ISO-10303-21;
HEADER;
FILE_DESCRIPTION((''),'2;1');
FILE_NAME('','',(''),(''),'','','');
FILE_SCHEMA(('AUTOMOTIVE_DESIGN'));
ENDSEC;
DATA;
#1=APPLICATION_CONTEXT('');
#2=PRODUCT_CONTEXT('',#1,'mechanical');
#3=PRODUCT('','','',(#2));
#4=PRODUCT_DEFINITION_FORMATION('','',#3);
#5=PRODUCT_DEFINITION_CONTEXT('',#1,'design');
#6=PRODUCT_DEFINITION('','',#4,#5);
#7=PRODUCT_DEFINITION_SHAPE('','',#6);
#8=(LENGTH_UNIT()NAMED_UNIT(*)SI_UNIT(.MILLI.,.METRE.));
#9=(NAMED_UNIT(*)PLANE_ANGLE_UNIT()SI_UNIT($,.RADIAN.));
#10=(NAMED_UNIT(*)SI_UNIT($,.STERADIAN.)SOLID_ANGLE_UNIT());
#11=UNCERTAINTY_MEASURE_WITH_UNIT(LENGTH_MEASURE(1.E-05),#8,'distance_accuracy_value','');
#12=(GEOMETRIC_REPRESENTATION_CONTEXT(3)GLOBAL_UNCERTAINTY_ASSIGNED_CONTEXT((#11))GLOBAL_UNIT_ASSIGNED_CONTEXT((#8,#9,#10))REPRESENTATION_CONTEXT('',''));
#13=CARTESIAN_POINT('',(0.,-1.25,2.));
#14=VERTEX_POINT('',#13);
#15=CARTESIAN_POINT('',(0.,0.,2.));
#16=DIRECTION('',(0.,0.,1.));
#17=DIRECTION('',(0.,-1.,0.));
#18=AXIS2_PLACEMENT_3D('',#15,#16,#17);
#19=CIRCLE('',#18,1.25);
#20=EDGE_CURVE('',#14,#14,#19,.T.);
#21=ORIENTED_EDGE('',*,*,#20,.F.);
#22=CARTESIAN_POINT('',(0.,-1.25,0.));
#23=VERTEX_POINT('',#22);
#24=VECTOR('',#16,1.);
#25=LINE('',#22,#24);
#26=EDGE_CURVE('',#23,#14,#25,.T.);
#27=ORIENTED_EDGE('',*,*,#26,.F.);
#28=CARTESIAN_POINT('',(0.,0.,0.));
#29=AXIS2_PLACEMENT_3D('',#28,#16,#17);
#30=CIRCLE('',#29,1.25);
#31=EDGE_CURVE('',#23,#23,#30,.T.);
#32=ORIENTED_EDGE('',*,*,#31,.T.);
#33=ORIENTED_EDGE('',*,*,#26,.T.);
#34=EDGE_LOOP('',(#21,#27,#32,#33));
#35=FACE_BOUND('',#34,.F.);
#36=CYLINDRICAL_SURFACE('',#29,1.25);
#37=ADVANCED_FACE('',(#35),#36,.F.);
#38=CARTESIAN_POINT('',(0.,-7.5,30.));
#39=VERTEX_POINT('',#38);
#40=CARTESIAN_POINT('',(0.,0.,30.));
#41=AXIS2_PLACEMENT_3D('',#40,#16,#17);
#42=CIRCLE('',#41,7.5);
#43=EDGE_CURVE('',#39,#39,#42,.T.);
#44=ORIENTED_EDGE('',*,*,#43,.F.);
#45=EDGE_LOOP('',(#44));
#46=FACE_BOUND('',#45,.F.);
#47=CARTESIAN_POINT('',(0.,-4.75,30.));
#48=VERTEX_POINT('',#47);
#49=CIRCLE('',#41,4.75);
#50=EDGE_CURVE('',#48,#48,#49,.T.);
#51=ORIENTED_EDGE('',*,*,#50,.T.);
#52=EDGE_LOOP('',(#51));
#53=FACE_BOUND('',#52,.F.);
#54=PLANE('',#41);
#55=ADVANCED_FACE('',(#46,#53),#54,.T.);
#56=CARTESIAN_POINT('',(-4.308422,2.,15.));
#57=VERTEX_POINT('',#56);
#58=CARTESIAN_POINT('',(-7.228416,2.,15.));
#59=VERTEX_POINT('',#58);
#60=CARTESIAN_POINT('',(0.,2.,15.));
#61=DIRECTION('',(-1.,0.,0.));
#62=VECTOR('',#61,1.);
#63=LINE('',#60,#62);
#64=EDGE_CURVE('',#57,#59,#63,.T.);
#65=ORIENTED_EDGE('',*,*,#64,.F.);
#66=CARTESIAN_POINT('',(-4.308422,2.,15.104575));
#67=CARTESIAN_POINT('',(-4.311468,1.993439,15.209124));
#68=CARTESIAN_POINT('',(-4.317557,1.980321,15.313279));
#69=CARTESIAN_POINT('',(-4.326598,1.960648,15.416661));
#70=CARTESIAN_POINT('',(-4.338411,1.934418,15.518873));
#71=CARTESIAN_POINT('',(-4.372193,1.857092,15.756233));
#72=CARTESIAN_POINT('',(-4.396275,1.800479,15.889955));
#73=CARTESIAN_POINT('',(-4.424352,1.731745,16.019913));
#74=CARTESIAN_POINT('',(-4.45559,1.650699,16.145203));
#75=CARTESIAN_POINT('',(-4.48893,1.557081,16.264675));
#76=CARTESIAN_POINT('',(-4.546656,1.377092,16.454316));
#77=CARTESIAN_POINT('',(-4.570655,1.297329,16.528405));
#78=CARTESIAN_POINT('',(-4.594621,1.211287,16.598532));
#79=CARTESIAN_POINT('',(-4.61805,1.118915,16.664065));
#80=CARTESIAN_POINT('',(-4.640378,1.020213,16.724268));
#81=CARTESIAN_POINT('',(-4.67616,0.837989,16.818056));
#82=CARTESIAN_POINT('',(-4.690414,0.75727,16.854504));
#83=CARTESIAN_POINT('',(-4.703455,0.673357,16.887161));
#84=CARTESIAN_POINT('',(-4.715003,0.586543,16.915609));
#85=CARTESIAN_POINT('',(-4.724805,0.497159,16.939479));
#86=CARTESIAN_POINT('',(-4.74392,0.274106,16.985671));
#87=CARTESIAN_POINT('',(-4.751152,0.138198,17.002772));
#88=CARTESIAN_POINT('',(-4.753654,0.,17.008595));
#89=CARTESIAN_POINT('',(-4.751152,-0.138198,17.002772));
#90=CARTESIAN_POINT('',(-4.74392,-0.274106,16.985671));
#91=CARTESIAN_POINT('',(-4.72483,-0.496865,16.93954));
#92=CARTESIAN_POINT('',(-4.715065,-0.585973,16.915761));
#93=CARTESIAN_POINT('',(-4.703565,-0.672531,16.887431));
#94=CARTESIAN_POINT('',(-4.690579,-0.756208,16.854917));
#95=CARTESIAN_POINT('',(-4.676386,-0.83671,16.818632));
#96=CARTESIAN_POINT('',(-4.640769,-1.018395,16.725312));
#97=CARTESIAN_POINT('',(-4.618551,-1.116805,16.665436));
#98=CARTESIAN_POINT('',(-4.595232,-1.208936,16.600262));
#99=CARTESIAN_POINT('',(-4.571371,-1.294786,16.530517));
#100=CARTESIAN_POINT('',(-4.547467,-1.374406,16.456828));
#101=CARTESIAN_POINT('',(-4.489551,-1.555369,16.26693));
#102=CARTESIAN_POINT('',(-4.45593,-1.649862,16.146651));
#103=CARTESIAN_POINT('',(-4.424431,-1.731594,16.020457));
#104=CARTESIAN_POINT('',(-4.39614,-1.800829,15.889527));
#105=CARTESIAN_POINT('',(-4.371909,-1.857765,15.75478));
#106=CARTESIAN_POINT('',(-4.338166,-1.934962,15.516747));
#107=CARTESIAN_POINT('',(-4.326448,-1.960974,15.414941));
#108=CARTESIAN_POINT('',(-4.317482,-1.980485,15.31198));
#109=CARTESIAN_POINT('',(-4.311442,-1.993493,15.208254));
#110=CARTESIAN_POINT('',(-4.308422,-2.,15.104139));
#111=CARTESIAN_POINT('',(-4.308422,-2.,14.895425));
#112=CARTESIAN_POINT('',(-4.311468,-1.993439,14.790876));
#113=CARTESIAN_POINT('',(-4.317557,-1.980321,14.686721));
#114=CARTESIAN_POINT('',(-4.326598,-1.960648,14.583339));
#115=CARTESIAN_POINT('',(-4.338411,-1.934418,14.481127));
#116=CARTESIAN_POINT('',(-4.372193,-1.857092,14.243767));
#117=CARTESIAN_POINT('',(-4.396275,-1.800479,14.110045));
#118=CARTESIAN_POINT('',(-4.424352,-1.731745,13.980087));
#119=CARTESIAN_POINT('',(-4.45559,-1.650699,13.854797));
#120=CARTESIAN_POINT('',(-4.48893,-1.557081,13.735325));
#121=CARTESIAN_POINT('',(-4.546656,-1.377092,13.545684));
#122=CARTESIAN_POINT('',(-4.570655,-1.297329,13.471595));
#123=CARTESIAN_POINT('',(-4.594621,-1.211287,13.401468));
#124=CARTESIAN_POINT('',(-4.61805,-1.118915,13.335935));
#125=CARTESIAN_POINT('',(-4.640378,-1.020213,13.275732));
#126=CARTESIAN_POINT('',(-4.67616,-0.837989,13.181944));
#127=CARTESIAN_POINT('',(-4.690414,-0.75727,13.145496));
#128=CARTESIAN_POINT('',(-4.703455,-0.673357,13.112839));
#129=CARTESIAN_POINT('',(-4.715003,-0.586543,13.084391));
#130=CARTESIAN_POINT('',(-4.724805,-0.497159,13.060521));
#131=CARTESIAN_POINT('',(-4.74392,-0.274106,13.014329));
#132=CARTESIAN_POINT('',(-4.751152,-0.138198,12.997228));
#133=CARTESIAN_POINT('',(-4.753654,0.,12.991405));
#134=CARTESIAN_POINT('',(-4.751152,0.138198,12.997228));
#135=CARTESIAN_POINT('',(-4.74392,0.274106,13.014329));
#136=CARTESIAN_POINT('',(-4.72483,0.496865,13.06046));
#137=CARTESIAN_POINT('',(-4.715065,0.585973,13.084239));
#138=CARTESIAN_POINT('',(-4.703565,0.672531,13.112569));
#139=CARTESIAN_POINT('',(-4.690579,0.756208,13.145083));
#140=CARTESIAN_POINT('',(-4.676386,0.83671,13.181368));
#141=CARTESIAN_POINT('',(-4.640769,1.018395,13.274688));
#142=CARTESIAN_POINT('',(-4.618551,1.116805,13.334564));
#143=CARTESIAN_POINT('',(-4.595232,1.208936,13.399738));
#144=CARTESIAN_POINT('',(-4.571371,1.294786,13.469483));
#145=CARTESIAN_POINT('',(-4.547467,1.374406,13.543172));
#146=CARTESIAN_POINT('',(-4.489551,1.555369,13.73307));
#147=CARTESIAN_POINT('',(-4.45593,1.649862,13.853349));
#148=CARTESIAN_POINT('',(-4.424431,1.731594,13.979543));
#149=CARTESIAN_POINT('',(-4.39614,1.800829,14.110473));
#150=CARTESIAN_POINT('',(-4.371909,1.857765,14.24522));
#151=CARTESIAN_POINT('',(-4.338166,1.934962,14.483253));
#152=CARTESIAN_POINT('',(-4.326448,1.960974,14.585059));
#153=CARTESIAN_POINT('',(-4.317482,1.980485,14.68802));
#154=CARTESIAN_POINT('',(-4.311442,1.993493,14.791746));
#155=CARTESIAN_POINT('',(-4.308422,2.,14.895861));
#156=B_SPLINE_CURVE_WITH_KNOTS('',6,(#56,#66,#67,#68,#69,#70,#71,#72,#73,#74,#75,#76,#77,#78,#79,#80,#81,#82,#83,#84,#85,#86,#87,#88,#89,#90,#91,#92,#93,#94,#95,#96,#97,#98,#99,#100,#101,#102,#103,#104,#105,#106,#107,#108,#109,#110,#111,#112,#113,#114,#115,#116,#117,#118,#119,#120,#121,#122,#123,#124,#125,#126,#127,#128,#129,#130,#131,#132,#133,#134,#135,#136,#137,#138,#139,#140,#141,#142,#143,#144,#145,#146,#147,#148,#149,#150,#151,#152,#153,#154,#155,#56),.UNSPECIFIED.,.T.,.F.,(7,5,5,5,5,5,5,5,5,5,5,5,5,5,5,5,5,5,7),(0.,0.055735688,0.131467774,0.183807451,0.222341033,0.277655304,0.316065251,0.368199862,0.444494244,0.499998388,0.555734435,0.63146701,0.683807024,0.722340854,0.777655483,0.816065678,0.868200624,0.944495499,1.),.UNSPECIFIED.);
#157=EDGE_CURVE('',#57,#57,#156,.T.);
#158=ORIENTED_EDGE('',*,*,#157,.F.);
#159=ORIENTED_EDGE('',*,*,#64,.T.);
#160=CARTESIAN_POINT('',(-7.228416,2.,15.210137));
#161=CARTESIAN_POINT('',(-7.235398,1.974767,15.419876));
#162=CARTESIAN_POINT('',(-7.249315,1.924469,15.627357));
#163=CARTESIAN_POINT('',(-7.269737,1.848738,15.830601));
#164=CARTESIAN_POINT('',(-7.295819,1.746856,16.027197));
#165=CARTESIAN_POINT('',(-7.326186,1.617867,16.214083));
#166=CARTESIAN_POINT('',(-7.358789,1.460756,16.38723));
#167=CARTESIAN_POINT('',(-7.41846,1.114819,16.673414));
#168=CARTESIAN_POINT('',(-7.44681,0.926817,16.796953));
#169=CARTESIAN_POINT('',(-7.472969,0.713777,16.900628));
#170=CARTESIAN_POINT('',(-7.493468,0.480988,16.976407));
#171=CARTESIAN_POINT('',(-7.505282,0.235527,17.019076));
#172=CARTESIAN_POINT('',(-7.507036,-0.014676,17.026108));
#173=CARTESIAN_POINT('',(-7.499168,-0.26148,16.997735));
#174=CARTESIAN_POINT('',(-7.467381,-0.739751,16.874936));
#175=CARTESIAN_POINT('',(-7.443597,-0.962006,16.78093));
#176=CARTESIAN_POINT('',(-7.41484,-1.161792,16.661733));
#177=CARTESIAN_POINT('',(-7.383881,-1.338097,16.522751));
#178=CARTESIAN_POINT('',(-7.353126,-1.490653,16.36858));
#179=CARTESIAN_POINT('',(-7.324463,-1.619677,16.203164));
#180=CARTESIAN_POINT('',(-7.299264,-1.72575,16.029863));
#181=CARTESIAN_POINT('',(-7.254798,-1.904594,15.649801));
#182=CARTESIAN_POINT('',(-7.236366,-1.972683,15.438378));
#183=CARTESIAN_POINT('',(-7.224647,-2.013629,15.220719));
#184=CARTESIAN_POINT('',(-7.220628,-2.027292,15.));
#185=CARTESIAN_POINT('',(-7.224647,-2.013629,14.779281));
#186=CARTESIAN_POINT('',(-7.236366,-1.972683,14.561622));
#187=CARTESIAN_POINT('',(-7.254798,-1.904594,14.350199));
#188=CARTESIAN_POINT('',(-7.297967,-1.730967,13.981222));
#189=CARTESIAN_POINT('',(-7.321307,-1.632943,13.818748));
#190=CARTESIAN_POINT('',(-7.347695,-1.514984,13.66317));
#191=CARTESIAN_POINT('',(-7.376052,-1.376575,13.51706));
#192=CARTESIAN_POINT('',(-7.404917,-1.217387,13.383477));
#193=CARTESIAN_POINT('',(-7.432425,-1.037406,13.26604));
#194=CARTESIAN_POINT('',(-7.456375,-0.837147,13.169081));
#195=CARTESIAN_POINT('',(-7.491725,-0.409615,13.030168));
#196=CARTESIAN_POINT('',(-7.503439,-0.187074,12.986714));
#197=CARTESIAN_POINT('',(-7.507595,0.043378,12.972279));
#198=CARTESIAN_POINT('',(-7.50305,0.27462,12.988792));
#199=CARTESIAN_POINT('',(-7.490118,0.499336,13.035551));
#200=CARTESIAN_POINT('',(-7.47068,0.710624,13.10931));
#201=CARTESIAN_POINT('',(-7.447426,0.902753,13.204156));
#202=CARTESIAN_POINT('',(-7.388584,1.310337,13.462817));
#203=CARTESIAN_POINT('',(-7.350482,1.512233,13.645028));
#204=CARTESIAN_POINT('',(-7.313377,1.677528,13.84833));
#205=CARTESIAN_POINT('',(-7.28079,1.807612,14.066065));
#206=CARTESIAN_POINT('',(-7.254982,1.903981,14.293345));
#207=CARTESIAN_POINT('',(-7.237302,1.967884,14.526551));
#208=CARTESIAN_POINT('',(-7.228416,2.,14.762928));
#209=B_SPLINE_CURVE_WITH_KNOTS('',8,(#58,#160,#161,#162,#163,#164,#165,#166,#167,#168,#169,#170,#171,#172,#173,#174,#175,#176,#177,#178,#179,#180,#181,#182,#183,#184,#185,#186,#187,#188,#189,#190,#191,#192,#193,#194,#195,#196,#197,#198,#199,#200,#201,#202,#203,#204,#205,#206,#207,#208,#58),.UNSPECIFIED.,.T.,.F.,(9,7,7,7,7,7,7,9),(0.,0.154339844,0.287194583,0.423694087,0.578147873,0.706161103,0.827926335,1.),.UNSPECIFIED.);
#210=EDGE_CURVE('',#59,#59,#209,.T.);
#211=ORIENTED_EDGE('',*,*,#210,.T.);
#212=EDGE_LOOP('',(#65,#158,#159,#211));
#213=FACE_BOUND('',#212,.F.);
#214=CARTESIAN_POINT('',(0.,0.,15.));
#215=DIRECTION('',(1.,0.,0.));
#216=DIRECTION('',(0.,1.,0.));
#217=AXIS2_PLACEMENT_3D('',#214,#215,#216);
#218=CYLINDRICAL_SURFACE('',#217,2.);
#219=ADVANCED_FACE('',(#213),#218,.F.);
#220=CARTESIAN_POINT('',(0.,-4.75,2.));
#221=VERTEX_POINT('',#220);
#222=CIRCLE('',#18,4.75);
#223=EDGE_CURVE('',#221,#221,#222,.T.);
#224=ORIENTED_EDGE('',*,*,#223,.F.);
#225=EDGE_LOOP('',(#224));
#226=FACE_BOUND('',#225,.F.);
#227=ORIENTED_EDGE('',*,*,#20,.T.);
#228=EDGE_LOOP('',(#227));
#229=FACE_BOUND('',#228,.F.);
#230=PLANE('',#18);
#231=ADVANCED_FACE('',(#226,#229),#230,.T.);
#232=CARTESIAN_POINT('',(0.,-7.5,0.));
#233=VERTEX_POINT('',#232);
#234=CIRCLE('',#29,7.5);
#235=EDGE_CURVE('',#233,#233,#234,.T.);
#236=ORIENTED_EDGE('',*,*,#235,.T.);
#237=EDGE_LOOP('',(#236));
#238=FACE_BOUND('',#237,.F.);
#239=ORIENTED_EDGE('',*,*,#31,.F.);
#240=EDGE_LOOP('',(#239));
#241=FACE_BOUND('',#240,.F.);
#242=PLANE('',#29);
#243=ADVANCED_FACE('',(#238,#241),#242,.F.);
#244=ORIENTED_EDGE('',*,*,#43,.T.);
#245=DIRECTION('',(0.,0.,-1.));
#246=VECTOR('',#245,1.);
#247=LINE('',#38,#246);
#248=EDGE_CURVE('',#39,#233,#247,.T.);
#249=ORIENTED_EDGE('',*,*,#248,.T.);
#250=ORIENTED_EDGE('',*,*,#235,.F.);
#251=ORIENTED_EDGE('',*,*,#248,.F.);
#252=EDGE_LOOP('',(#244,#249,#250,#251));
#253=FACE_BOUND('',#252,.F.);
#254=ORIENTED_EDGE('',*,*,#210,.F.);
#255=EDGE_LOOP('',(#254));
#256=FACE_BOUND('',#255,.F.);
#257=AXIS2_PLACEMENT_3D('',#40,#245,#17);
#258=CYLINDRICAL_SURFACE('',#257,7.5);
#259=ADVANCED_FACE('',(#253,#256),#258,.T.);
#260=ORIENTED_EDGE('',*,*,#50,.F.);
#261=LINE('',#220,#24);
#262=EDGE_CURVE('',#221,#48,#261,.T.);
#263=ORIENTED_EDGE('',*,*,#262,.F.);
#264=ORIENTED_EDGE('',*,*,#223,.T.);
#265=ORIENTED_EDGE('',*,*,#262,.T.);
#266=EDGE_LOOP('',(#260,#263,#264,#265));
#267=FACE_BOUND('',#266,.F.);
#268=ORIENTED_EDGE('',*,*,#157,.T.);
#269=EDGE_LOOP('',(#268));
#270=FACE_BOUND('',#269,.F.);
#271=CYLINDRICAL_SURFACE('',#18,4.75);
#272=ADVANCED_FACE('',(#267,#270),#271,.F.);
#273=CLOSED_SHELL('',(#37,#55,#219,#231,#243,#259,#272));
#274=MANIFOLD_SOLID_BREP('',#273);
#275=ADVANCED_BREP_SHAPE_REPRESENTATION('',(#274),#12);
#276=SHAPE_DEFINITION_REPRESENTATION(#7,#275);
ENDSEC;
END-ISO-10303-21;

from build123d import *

# Parameters (mm, degrees)
F2_R     = 2
F3_DEPTH = 25


with BuildPart() as f1:
    # F0 (on Right) → F1 (revolve)
    with BuildSketch(Plane.YZ):
        Polygon((-7.5, 0), (-1.25, 0), (-1.25, 2), (-4.75, 2), (-4.75, 30), (-7.5, 30), align=None)
    revolve(axis=Axis((0, 0, 3.498908), (0, 0, 1)))

    # F2 (on Right) → F3 (cut)
    with BuildSketch(Plane.YZ):
        with Locations((0, 15)):
            Circle(F2_R)
    extrude(amount=-F3_DEPTH, mode=Mode.SUBTRACT)


solid = f1.part
